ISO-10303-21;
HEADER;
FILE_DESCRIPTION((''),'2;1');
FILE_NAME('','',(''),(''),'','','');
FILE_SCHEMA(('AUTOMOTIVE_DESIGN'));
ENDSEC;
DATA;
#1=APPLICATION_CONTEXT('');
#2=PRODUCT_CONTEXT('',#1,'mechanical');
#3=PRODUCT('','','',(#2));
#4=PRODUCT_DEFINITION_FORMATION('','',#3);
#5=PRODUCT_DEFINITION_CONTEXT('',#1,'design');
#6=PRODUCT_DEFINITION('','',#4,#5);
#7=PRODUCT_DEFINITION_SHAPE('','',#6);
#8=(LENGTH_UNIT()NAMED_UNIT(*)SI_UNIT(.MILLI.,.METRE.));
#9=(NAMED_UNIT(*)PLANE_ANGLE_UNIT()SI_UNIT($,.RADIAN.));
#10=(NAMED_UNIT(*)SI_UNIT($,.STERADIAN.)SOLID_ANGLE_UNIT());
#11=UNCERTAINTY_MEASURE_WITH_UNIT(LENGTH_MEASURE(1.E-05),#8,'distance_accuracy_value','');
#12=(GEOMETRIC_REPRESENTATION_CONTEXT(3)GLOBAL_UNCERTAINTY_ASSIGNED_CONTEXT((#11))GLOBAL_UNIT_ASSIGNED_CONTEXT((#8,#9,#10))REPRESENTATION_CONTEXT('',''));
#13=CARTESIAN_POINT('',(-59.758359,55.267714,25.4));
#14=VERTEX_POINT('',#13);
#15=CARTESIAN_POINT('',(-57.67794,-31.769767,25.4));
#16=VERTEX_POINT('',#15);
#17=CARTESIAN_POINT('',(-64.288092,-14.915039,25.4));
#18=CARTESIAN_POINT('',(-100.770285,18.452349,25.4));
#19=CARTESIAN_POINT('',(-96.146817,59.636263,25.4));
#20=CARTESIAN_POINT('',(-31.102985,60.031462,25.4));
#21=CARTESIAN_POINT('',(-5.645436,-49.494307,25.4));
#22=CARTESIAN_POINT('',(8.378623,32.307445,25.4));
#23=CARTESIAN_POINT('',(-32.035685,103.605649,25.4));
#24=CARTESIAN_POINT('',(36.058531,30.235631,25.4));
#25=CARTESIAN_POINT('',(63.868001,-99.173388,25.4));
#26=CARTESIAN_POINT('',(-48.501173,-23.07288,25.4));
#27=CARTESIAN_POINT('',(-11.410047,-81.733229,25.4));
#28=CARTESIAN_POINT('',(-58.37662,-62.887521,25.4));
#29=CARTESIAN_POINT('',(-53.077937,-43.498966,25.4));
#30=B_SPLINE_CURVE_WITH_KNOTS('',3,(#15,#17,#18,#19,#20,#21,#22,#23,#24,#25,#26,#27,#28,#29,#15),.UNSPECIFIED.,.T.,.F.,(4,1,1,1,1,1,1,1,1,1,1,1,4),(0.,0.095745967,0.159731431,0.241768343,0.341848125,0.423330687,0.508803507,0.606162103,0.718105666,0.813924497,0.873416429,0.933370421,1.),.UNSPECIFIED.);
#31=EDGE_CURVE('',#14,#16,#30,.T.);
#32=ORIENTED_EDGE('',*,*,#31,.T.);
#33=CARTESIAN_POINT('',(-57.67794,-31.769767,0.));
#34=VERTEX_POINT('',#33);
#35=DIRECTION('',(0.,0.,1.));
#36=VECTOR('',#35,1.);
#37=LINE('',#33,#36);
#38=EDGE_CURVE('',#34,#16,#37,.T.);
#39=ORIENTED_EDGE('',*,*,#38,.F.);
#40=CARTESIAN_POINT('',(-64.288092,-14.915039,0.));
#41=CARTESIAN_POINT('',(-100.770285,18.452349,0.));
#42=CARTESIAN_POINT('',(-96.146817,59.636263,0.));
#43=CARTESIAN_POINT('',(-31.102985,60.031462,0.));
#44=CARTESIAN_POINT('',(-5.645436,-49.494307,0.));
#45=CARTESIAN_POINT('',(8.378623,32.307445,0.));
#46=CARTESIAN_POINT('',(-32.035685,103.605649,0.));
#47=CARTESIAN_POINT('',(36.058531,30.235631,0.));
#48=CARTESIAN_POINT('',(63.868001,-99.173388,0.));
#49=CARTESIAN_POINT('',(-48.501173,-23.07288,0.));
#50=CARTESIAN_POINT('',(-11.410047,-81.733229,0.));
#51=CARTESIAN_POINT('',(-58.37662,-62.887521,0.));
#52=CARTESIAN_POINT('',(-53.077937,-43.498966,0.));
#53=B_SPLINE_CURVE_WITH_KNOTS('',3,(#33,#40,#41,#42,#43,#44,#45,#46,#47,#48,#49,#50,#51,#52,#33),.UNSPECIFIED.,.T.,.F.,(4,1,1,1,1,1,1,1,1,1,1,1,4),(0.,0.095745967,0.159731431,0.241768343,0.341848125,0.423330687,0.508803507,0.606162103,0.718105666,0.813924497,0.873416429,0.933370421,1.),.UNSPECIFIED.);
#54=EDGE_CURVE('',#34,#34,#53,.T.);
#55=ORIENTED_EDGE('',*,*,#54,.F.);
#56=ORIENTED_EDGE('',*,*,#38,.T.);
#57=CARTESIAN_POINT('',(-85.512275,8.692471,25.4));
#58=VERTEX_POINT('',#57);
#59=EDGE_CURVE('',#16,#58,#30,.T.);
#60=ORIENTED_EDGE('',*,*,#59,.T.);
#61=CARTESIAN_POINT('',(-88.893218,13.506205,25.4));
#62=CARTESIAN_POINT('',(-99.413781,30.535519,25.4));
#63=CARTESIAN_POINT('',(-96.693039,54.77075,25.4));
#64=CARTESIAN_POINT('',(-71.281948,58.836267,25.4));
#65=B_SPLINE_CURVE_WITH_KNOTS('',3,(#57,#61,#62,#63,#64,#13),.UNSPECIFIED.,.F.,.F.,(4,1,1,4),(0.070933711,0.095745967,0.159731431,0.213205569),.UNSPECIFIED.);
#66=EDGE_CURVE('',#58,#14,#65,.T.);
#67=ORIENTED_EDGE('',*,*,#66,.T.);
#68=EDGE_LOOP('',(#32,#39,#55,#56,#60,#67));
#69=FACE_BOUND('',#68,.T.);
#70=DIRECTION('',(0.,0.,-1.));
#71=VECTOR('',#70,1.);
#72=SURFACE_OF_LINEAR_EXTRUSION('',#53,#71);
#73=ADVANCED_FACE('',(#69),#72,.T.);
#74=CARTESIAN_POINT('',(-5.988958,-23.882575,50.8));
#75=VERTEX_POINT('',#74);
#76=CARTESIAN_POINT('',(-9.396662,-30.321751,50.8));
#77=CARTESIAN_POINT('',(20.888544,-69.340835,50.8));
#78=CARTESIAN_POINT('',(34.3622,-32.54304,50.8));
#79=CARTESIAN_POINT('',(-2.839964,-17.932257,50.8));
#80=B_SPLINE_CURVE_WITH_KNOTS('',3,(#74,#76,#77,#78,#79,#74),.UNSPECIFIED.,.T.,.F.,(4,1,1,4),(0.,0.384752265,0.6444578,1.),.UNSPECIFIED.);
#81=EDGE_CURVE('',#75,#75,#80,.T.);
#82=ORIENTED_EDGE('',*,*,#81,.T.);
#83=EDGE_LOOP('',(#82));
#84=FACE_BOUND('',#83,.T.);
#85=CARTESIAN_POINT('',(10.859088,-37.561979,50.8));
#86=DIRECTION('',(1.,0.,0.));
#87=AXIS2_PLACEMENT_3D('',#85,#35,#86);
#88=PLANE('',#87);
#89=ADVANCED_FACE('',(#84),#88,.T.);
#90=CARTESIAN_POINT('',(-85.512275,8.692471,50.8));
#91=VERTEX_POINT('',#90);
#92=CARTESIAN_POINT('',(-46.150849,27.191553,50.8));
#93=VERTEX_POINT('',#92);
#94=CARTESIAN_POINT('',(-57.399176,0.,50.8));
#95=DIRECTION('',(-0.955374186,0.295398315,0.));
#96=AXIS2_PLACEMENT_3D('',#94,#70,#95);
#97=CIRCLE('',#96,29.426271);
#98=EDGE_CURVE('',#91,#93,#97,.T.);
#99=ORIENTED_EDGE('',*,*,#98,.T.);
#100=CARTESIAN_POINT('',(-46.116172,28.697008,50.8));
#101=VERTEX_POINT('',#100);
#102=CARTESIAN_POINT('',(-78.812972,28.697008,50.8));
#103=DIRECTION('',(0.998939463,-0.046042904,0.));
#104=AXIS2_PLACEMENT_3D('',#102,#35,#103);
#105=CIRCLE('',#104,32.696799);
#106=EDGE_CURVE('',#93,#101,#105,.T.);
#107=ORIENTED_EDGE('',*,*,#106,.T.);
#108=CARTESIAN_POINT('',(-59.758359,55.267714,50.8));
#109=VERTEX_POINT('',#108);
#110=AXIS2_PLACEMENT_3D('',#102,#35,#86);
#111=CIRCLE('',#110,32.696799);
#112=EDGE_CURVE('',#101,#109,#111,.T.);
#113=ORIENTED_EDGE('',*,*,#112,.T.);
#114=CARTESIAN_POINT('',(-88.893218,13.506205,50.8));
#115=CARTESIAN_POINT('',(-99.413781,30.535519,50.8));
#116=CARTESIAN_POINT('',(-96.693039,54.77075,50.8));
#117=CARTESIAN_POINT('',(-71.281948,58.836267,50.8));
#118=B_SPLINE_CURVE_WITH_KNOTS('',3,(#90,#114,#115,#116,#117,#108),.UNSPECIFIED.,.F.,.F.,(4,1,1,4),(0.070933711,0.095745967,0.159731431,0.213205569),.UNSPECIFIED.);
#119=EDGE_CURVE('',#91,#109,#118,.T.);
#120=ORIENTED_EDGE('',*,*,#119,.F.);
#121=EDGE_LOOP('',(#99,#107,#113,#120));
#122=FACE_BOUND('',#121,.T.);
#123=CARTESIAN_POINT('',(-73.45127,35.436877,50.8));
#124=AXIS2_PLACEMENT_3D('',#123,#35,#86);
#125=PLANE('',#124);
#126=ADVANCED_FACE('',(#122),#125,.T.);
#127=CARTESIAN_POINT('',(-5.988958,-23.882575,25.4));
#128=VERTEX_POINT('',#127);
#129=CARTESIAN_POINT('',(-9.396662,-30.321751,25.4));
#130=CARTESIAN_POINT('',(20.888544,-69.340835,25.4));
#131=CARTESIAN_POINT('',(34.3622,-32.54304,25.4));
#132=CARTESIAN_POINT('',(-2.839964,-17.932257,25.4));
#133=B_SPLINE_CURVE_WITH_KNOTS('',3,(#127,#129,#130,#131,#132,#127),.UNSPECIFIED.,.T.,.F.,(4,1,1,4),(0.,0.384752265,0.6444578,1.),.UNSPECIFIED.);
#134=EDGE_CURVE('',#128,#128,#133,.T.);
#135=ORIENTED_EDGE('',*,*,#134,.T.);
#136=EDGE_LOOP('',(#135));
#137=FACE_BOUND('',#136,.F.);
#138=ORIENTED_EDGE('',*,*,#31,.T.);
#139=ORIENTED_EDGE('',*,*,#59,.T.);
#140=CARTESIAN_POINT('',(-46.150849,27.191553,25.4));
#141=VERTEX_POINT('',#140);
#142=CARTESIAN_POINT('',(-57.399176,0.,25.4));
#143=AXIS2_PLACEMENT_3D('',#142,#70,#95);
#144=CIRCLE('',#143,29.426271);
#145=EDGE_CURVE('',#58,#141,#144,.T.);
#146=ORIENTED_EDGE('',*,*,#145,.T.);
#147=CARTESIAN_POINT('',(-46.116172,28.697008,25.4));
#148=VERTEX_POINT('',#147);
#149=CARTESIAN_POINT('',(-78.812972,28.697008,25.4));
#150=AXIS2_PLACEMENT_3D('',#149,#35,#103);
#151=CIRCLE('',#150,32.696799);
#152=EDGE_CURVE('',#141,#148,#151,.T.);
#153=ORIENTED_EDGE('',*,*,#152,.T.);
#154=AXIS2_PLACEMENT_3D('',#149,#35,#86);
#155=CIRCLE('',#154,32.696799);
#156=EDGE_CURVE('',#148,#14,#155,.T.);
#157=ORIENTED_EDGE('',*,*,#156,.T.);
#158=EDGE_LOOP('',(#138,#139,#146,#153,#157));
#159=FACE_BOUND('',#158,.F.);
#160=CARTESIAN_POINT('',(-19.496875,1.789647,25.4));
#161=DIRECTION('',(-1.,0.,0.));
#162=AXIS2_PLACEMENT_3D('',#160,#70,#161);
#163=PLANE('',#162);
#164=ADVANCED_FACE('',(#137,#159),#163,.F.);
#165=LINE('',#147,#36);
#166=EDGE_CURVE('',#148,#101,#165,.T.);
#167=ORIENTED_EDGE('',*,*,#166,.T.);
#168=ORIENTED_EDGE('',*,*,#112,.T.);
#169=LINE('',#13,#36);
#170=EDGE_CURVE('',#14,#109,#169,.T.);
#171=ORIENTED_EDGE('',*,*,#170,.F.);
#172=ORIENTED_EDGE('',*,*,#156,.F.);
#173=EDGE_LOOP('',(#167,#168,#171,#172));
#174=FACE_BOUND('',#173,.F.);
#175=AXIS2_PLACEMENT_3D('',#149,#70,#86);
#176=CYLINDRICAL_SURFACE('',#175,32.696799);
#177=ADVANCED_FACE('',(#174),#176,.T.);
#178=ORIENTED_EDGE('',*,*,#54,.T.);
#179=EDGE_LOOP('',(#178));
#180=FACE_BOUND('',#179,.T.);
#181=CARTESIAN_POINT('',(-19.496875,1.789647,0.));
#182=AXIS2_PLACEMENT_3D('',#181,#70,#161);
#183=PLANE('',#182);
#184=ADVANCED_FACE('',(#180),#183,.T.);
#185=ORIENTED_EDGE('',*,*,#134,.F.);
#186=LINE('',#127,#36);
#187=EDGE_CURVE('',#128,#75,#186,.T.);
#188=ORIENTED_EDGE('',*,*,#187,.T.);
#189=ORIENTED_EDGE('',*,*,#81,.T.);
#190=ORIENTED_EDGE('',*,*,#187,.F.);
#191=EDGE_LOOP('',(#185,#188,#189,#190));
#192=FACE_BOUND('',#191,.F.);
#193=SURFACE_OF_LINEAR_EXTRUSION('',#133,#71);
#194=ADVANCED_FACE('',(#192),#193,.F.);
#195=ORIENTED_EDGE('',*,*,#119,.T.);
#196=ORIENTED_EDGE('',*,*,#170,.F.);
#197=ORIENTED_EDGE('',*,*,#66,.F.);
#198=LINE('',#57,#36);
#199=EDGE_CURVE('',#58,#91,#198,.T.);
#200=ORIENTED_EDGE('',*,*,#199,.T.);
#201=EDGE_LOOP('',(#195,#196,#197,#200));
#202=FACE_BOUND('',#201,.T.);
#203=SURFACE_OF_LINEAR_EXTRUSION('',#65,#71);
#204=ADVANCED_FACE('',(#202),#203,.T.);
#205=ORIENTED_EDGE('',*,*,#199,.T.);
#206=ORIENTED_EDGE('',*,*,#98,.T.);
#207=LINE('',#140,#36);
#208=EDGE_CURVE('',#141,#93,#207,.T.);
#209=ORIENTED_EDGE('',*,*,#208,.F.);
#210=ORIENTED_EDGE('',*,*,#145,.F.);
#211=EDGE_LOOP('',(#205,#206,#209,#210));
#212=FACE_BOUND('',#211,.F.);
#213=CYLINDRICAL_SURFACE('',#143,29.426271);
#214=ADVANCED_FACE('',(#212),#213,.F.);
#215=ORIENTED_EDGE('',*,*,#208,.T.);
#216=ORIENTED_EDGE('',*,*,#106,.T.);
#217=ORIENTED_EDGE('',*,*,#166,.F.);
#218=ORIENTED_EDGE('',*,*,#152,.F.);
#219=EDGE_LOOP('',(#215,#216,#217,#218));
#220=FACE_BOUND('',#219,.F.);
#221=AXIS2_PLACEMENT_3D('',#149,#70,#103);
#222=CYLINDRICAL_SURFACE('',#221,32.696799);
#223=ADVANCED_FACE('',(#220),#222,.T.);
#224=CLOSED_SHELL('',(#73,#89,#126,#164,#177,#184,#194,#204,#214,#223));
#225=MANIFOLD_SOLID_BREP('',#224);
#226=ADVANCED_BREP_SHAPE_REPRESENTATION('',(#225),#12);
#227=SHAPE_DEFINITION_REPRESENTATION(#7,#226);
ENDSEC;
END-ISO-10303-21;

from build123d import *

# Parameters (mm, degrees)
F1_DEPTH = 25.4
F3_DEPTH = 25.4
F5_DEPTH = 25.4


with BuildPart() as f1:
    # F0 (on Top) → F1 (new body)
    with BuildSketch(Plane.XY):
        with BuildLine():
            add(Edge.make_bspline(
                [(-57.6779395342, -31.7697674036), (-64.2880922429, -14.9150386721), (-100.7702851731, 18.4523494084), (-96.1468170989, 59.6362626177), (-31.1029852527, 60.0314624457), (-5.6454356756, -49.4943071395), (8.3786226416, 32.3074445955), (-32.0356850624, 103.6056488827), (36.0585314365, 30.2356306431), (63.868001402, -99.1733878146), (-48.501173099, -23.0728797547), (-11.4100471576, -81.7332290752), (-58.376619598, -62.8875212482), (-53.0779369756, -43.4989662143), (-57.6779395342, -31.7697674036)],
                knots=[0, 0, 0, 0, 0.0957459671, 0.1597314311, 0.2417683433, 0.341848125, 0.4233306872, 0.5088035066, 0.6061621026, 0.7181056657, 0.8139244972, 0.8734164292, 0.9333704208, 1, 1, 1, 1], degree=3))
        make_face()
    extrude(amount=F1_DEPTH)

    # F2 (on face) → F3 (join)
    with BuildSketch(Plane.XY.offset(25.4)):
        with BuildLine():
            ThreePointArc((-46.1508486285, 27.1915526748), (-46.124842657, 27.9440808176), (-46.1161724671, 28.697008267))
            ThreePointArc((-46.1161724671, 28.697008267), (-49.725985499, 43.6311273873), (-59.7583588007, 55.2677140845))
            add(Edge.make_bspline(
                [(-85.512275472, 8.6924707889), (-88.893218397, 13.5062050885), (-99.4137810707, 30.5355186501), (-96.6930386326, 54.7707504363), (-71.2819480554, 58.8362674951), (-59.7583588007, 55.2677140845)],
                knots=[0.0709337113, 0.0709337113, 0.0709337113, 0.0709337113, 0.0957459671, 0.1597314311, 0.213205569, 0.213205569, 0.213205569, 0.213205569], degree=3))
            ThreePointArc((-85.512275472, 8.6924707889), (-69.9155310068, 26.6316778626), (-46.1508486285, 27.1915526748))
        make_face()
    extrude(amount=F3_DEPTH)

    # F4 (on face) → F5 (join)
    with BuildSketch(Plane.XY.offset(25.4)):
        with BuildLine():
            add(Edge.make_bspline(
                [(-5.9889582917, -23.8825753331), (-9.39666211, -30.3217507002), (20.8885435587, -69.340835099), (34.3622004391, -32.5430402429), (-2.8399644497, -17.9322566846), (-5.9889582917, -23.8825753331)],
                knots=[0, 0, 0, 0, 0.3847522653, 0.6444577996, 1, 1, 1, 1], degree=3))
        make_face()
    extrude(amount=F5_DEPTH)


solid = f1.part
